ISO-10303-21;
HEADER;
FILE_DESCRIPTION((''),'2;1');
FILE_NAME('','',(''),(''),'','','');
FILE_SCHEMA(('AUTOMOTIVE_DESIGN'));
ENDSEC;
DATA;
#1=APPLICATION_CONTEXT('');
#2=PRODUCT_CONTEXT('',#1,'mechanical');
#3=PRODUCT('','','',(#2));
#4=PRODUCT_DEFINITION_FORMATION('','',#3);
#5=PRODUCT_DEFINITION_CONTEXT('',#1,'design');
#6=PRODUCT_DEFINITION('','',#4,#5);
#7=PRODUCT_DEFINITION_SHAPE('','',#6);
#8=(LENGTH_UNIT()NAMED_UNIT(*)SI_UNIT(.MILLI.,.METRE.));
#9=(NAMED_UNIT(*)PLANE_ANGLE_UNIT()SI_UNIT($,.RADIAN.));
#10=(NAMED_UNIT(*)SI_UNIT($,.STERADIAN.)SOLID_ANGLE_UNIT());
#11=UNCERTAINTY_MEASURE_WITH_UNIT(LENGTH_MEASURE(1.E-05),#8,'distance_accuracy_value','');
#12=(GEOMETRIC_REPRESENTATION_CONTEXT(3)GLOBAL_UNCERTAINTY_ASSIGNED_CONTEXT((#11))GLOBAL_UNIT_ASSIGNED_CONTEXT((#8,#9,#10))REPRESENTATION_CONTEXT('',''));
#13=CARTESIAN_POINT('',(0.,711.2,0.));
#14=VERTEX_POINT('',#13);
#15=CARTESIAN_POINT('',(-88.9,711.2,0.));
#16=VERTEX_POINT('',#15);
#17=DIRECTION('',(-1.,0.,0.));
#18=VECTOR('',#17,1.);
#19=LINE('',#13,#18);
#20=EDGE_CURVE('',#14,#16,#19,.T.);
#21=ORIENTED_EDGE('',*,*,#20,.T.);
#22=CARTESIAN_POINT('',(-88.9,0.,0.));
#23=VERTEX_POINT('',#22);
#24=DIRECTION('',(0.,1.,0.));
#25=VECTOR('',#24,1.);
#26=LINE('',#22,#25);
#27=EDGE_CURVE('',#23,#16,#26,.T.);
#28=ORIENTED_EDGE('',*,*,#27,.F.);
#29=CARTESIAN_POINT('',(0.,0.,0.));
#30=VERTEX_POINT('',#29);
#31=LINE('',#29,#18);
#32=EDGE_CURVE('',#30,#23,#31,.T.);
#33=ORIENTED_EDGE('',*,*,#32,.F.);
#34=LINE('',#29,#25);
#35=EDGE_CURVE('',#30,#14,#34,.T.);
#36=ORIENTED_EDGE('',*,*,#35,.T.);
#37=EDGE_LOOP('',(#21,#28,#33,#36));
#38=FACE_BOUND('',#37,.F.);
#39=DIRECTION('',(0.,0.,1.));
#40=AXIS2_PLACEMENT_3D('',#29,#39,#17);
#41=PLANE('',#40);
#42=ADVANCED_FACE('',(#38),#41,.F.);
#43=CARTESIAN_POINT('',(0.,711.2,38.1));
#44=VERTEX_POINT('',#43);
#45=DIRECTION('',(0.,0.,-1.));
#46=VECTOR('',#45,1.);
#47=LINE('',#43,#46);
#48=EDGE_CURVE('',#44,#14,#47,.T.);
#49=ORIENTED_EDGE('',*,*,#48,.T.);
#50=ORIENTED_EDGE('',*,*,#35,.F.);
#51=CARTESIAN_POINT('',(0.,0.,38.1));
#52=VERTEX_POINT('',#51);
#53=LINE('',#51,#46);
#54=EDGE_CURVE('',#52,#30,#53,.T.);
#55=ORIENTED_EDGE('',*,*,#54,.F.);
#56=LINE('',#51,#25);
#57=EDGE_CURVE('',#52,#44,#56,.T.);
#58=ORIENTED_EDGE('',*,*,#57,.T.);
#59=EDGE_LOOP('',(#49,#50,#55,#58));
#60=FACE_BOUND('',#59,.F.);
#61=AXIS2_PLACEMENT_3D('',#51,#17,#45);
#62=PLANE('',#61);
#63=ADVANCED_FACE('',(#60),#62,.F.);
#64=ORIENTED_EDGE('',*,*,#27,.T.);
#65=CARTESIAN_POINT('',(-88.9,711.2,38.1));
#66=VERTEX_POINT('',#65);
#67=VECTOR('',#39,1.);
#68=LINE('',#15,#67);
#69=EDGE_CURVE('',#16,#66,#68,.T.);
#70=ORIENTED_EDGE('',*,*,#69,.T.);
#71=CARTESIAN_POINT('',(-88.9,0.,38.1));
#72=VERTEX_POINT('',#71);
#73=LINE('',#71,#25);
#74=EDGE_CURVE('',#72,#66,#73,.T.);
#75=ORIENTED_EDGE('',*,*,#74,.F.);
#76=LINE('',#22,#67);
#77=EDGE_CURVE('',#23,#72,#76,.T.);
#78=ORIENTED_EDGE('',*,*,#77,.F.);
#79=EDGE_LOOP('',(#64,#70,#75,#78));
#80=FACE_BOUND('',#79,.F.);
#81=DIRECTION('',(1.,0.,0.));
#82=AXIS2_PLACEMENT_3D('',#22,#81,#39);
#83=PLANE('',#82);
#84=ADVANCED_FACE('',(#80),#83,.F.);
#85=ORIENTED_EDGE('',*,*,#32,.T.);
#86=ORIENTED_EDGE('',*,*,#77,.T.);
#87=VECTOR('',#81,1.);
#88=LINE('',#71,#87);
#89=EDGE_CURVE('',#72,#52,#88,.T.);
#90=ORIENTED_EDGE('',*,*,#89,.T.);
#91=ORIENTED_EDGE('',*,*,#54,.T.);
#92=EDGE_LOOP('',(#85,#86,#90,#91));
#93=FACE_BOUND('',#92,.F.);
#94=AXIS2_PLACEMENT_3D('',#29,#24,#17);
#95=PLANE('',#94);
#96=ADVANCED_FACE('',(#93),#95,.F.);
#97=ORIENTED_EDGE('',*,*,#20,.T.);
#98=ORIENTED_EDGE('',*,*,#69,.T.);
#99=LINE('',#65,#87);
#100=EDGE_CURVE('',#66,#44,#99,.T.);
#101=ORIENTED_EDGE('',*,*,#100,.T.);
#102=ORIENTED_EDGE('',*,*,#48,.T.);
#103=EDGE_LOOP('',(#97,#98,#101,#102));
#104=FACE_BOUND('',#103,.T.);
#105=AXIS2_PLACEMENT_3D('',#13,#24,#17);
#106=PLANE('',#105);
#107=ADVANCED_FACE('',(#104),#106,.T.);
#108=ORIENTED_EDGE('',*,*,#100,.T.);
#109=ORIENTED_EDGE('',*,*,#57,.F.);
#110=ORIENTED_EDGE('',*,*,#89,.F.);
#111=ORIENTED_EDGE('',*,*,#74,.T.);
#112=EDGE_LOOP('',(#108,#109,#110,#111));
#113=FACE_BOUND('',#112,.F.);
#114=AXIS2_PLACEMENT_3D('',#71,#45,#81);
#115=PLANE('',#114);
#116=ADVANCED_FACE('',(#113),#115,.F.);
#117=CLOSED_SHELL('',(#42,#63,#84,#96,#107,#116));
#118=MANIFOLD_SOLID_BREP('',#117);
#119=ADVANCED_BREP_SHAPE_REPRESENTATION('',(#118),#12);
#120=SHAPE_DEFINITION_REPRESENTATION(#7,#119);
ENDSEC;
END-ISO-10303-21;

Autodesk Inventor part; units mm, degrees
ref_plane "YZ Plane" through (0, 0, 0) normal (1, 0, 0) x (0, 1, 0)
ref_plane "XZ Plane" through (0, 0, 0) normal (0, 1, 0) x (-1, 0, 0)
ref_plane "XY Plane" through (0, 0, 0) normal (0, 0, 1) x (1, 0, 0)
sketch "Sketch1" plane through (0, 0, 0) normal (0, 1, 0) x (-1, 0, 0)
  line L0 (0, 0) -> (88.9, 0)
  line L1 (88.9, 0) -> (88.9, 38.1)
  line L2 (88.9, 38.1) -> (0, 38.1)
  line L3 (0, 38.1) -> (0, 0)
  dimension "d0" = 88.9
  dimension "d1" = 38.1
extrude "Extrusion1" add sketch "Sketch1" along normal blind 711.2
properties part number "Pillar, Front" material "Wood"
